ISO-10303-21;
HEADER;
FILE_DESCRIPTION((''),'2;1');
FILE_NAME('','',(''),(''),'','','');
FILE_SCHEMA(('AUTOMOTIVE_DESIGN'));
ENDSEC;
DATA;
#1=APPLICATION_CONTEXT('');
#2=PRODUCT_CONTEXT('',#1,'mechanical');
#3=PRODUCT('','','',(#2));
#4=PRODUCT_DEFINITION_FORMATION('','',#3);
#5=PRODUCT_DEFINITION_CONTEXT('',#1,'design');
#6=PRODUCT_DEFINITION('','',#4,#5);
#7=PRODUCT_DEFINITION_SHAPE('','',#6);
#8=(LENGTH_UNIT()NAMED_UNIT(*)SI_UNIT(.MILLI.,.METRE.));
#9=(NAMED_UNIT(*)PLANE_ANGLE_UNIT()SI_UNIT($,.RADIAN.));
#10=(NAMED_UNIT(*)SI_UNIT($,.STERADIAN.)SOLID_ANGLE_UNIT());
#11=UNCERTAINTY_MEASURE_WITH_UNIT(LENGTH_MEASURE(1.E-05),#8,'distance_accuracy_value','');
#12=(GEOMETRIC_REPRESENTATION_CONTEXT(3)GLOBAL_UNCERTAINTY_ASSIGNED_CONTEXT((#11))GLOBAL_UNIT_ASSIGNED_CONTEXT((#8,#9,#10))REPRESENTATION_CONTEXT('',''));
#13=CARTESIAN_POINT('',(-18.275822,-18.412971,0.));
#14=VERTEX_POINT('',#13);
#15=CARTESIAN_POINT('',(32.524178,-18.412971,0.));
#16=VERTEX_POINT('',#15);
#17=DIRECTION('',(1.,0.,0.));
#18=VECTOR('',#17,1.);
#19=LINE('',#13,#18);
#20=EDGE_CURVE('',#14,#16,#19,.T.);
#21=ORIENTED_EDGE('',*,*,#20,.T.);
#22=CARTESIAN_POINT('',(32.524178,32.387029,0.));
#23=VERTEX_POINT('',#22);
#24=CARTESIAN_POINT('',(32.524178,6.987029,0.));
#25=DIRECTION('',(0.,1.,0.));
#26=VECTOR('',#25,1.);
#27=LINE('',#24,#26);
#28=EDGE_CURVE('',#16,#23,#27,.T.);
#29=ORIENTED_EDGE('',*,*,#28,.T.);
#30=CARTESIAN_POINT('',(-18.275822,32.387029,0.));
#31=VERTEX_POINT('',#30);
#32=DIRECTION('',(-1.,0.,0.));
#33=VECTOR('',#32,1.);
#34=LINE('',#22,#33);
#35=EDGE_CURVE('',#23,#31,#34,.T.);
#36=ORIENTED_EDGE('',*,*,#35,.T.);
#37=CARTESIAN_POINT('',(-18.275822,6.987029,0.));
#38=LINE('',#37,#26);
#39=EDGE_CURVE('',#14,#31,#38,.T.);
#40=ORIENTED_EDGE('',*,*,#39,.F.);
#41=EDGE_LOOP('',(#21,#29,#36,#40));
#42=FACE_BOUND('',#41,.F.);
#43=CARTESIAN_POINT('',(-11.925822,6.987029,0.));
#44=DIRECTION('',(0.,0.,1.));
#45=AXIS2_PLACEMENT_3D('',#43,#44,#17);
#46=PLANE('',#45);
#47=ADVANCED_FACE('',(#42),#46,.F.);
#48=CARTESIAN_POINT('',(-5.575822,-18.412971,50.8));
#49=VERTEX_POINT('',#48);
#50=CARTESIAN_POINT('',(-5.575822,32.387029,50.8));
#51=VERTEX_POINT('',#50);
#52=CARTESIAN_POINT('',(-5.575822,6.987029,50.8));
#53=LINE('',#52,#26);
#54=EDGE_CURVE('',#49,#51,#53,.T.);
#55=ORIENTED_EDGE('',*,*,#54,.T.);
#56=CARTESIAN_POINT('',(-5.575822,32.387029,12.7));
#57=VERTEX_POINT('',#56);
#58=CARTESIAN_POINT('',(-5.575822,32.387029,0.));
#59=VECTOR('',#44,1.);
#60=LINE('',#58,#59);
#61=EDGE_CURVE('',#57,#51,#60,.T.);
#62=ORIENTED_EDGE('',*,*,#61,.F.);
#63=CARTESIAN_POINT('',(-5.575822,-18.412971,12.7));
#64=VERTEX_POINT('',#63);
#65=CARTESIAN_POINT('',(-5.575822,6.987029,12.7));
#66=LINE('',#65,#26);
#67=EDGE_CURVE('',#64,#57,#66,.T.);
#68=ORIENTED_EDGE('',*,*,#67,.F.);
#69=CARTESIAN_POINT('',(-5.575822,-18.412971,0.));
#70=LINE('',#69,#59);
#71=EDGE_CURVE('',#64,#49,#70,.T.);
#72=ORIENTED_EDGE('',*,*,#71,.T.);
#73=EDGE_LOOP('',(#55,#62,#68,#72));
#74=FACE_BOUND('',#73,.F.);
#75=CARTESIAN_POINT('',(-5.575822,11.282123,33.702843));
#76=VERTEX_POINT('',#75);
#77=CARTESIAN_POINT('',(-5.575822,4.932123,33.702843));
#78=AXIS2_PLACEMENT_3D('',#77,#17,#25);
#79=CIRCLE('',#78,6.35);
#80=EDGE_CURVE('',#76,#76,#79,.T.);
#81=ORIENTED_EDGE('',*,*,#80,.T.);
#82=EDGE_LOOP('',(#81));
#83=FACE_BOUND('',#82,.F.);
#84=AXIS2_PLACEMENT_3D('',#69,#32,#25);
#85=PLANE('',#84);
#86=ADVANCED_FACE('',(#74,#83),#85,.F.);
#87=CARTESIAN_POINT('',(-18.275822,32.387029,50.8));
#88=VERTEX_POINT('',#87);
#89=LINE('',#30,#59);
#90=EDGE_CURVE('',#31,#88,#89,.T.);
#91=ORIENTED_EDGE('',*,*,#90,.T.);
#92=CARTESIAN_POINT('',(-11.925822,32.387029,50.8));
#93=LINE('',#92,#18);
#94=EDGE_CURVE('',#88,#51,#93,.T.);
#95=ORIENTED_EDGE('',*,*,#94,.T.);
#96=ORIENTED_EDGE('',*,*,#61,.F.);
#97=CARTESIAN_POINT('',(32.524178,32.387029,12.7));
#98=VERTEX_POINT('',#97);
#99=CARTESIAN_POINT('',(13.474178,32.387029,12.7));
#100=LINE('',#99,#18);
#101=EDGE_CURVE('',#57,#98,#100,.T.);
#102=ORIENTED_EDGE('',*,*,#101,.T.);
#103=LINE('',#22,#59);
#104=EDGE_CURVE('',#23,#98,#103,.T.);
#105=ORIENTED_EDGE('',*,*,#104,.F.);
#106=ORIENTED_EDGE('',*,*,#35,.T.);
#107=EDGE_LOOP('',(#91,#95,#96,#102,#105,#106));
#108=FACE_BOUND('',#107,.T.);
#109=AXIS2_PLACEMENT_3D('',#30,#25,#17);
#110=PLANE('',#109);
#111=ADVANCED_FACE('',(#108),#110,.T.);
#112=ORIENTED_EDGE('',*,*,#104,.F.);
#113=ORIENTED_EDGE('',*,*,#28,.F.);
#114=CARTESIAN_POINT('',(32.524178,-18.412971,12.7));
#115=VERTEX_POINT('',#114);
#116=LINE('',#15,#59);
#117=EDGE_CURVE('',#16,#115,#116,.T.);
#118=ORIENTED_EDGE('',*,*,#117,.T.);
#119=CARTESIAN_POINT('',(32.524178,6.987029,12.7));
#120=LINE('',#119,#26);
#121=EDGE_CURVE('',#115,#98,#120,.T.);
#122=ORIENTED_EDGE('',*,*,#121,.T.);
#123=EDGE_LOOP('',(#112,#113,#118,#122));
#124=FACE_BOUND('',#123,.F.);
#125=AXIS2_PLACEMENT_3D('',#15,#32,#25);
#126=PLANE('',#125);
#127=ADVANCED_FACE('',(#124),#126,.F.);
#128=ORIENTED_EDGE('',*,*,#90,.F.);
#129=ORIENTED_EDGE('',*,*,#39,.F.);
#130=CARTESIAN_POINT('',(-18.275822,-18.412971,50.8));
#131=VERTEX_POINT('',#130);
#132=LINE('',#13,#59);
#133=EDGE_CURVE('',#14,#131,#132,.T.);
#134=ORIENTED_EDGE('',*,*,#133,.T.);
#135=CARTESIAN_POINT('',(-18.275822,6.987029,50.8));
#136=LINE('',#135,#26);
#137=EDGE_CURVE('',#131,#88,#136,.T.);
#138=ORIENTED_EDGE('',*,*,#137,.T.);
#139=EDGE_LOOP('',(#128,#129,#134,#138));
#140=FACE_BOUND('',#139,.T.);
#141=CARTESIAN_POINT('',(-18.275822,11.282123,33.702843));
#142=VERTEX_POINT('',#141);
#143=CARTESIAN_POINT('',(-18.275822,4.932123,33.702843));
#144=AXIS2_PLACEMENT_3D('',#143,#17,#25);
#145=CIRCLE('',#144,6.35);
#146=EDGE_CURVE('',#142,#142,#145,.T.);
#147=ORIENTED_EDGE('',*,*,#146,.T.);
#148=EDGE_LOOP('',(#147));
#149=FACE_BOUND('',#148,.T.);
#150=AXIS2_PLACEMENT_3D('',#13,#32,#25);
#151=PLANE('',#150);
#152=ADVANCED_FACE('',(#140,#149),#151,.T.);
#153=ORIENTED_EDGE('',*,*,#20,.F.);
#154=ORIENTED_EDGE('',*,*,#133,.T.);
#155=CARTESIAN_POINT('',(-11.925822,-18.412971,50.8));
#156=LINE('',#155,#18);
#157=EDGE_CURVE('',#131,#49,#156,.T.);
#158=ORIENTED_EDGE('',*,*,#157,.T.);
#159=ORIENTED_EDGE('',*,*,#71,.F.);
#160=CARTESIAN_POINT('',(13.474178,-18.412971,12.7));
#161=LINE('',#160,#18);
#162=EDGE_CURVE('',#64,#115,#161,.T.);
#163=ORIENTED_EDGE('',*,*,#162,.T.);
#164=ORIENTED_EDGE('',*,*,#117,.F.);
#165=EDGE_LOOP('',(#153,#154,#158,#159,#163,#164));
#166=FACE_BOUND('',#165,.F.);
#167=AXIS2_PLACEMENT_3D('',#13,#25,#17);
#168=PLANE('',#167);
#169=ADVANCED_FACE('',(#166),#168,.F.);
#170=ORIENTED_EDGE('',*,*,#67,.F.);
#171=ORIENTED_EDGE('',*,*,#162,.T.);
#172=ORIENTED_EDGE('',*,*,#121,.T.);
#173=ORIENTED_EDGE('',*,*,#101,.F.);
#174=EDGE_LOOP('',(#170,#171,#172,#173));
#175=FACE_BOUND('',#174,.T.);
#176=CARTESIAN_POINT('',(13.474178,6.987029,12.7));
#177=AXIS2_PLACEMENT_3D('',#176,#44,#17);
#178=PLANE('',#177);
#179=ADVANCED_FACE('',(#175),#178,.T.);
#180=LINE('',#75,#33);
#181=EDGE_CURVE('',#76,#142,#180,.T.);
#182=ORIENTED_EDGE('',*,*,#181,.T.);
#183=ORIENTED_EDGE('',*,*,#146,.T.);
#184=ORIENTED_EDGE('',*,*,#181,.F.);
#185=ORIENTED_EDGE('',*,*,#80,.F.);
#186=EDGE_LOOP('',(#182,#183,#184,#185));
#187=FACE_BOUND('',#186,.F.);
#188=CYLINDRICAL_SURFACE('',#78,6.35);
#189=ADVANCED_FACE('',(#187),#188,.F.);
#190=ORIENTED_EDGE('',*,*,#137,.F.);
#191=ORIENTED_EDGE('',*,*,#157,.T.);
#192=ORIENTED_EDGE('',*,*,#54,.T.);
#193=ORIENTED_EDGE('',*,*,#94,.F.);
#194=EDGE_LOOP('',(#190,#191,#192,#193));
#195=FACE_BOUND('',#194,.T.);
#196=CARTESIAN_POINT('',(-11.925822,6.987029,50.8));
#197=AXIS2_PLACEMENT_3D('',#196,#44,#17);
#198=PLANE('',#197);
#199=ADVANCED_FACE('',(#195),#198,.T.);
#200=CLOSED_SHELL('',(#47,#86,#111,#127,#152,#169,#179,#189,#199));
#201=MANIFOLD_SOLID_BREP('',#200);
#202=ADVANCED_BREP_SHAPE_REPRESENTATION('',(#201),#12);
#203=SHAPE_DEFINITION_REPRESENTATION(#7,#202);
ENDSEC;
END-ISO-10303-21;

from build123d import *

# Parameters (mm, degrees)
F0_W     = 38.1
F0_H     = 50.8
F1_DEPTH = 12.7
F0_W_2   = 12.7
F2_DEPTH = 50.8
F3_R     = 6.35
F4_DEPTH = 12.701


with BuildPart() as f1:
    # F0 (on Top) → F1 (new body)
    with BuildSketch(Plane.XY):
        with Locations((13.474178, 6.987029)):
            Rectangle(F0_W, F0_H)
    extrude(amount=F1_DEPTH)

    # F0 (on Top) → F2 (join)
    with BuildSketch(Plane.XY):
        with Locations((-11.925822, 6.987029)):
            Rectangle(F0_W_2, F0_H)
    extrude(amount=F2_DEPTH)

    # F3 (on face) → F4 (cut, through all)
    with BuildSketch(Plane.YZ.offset(-5.575822)):
        with Locations((4.932123, 33.702843)):
            Circle(F3_R)
    extrude(amount=-F4_DEPTH, mode=Mode.SUBTRACT)


solid = f1.part
